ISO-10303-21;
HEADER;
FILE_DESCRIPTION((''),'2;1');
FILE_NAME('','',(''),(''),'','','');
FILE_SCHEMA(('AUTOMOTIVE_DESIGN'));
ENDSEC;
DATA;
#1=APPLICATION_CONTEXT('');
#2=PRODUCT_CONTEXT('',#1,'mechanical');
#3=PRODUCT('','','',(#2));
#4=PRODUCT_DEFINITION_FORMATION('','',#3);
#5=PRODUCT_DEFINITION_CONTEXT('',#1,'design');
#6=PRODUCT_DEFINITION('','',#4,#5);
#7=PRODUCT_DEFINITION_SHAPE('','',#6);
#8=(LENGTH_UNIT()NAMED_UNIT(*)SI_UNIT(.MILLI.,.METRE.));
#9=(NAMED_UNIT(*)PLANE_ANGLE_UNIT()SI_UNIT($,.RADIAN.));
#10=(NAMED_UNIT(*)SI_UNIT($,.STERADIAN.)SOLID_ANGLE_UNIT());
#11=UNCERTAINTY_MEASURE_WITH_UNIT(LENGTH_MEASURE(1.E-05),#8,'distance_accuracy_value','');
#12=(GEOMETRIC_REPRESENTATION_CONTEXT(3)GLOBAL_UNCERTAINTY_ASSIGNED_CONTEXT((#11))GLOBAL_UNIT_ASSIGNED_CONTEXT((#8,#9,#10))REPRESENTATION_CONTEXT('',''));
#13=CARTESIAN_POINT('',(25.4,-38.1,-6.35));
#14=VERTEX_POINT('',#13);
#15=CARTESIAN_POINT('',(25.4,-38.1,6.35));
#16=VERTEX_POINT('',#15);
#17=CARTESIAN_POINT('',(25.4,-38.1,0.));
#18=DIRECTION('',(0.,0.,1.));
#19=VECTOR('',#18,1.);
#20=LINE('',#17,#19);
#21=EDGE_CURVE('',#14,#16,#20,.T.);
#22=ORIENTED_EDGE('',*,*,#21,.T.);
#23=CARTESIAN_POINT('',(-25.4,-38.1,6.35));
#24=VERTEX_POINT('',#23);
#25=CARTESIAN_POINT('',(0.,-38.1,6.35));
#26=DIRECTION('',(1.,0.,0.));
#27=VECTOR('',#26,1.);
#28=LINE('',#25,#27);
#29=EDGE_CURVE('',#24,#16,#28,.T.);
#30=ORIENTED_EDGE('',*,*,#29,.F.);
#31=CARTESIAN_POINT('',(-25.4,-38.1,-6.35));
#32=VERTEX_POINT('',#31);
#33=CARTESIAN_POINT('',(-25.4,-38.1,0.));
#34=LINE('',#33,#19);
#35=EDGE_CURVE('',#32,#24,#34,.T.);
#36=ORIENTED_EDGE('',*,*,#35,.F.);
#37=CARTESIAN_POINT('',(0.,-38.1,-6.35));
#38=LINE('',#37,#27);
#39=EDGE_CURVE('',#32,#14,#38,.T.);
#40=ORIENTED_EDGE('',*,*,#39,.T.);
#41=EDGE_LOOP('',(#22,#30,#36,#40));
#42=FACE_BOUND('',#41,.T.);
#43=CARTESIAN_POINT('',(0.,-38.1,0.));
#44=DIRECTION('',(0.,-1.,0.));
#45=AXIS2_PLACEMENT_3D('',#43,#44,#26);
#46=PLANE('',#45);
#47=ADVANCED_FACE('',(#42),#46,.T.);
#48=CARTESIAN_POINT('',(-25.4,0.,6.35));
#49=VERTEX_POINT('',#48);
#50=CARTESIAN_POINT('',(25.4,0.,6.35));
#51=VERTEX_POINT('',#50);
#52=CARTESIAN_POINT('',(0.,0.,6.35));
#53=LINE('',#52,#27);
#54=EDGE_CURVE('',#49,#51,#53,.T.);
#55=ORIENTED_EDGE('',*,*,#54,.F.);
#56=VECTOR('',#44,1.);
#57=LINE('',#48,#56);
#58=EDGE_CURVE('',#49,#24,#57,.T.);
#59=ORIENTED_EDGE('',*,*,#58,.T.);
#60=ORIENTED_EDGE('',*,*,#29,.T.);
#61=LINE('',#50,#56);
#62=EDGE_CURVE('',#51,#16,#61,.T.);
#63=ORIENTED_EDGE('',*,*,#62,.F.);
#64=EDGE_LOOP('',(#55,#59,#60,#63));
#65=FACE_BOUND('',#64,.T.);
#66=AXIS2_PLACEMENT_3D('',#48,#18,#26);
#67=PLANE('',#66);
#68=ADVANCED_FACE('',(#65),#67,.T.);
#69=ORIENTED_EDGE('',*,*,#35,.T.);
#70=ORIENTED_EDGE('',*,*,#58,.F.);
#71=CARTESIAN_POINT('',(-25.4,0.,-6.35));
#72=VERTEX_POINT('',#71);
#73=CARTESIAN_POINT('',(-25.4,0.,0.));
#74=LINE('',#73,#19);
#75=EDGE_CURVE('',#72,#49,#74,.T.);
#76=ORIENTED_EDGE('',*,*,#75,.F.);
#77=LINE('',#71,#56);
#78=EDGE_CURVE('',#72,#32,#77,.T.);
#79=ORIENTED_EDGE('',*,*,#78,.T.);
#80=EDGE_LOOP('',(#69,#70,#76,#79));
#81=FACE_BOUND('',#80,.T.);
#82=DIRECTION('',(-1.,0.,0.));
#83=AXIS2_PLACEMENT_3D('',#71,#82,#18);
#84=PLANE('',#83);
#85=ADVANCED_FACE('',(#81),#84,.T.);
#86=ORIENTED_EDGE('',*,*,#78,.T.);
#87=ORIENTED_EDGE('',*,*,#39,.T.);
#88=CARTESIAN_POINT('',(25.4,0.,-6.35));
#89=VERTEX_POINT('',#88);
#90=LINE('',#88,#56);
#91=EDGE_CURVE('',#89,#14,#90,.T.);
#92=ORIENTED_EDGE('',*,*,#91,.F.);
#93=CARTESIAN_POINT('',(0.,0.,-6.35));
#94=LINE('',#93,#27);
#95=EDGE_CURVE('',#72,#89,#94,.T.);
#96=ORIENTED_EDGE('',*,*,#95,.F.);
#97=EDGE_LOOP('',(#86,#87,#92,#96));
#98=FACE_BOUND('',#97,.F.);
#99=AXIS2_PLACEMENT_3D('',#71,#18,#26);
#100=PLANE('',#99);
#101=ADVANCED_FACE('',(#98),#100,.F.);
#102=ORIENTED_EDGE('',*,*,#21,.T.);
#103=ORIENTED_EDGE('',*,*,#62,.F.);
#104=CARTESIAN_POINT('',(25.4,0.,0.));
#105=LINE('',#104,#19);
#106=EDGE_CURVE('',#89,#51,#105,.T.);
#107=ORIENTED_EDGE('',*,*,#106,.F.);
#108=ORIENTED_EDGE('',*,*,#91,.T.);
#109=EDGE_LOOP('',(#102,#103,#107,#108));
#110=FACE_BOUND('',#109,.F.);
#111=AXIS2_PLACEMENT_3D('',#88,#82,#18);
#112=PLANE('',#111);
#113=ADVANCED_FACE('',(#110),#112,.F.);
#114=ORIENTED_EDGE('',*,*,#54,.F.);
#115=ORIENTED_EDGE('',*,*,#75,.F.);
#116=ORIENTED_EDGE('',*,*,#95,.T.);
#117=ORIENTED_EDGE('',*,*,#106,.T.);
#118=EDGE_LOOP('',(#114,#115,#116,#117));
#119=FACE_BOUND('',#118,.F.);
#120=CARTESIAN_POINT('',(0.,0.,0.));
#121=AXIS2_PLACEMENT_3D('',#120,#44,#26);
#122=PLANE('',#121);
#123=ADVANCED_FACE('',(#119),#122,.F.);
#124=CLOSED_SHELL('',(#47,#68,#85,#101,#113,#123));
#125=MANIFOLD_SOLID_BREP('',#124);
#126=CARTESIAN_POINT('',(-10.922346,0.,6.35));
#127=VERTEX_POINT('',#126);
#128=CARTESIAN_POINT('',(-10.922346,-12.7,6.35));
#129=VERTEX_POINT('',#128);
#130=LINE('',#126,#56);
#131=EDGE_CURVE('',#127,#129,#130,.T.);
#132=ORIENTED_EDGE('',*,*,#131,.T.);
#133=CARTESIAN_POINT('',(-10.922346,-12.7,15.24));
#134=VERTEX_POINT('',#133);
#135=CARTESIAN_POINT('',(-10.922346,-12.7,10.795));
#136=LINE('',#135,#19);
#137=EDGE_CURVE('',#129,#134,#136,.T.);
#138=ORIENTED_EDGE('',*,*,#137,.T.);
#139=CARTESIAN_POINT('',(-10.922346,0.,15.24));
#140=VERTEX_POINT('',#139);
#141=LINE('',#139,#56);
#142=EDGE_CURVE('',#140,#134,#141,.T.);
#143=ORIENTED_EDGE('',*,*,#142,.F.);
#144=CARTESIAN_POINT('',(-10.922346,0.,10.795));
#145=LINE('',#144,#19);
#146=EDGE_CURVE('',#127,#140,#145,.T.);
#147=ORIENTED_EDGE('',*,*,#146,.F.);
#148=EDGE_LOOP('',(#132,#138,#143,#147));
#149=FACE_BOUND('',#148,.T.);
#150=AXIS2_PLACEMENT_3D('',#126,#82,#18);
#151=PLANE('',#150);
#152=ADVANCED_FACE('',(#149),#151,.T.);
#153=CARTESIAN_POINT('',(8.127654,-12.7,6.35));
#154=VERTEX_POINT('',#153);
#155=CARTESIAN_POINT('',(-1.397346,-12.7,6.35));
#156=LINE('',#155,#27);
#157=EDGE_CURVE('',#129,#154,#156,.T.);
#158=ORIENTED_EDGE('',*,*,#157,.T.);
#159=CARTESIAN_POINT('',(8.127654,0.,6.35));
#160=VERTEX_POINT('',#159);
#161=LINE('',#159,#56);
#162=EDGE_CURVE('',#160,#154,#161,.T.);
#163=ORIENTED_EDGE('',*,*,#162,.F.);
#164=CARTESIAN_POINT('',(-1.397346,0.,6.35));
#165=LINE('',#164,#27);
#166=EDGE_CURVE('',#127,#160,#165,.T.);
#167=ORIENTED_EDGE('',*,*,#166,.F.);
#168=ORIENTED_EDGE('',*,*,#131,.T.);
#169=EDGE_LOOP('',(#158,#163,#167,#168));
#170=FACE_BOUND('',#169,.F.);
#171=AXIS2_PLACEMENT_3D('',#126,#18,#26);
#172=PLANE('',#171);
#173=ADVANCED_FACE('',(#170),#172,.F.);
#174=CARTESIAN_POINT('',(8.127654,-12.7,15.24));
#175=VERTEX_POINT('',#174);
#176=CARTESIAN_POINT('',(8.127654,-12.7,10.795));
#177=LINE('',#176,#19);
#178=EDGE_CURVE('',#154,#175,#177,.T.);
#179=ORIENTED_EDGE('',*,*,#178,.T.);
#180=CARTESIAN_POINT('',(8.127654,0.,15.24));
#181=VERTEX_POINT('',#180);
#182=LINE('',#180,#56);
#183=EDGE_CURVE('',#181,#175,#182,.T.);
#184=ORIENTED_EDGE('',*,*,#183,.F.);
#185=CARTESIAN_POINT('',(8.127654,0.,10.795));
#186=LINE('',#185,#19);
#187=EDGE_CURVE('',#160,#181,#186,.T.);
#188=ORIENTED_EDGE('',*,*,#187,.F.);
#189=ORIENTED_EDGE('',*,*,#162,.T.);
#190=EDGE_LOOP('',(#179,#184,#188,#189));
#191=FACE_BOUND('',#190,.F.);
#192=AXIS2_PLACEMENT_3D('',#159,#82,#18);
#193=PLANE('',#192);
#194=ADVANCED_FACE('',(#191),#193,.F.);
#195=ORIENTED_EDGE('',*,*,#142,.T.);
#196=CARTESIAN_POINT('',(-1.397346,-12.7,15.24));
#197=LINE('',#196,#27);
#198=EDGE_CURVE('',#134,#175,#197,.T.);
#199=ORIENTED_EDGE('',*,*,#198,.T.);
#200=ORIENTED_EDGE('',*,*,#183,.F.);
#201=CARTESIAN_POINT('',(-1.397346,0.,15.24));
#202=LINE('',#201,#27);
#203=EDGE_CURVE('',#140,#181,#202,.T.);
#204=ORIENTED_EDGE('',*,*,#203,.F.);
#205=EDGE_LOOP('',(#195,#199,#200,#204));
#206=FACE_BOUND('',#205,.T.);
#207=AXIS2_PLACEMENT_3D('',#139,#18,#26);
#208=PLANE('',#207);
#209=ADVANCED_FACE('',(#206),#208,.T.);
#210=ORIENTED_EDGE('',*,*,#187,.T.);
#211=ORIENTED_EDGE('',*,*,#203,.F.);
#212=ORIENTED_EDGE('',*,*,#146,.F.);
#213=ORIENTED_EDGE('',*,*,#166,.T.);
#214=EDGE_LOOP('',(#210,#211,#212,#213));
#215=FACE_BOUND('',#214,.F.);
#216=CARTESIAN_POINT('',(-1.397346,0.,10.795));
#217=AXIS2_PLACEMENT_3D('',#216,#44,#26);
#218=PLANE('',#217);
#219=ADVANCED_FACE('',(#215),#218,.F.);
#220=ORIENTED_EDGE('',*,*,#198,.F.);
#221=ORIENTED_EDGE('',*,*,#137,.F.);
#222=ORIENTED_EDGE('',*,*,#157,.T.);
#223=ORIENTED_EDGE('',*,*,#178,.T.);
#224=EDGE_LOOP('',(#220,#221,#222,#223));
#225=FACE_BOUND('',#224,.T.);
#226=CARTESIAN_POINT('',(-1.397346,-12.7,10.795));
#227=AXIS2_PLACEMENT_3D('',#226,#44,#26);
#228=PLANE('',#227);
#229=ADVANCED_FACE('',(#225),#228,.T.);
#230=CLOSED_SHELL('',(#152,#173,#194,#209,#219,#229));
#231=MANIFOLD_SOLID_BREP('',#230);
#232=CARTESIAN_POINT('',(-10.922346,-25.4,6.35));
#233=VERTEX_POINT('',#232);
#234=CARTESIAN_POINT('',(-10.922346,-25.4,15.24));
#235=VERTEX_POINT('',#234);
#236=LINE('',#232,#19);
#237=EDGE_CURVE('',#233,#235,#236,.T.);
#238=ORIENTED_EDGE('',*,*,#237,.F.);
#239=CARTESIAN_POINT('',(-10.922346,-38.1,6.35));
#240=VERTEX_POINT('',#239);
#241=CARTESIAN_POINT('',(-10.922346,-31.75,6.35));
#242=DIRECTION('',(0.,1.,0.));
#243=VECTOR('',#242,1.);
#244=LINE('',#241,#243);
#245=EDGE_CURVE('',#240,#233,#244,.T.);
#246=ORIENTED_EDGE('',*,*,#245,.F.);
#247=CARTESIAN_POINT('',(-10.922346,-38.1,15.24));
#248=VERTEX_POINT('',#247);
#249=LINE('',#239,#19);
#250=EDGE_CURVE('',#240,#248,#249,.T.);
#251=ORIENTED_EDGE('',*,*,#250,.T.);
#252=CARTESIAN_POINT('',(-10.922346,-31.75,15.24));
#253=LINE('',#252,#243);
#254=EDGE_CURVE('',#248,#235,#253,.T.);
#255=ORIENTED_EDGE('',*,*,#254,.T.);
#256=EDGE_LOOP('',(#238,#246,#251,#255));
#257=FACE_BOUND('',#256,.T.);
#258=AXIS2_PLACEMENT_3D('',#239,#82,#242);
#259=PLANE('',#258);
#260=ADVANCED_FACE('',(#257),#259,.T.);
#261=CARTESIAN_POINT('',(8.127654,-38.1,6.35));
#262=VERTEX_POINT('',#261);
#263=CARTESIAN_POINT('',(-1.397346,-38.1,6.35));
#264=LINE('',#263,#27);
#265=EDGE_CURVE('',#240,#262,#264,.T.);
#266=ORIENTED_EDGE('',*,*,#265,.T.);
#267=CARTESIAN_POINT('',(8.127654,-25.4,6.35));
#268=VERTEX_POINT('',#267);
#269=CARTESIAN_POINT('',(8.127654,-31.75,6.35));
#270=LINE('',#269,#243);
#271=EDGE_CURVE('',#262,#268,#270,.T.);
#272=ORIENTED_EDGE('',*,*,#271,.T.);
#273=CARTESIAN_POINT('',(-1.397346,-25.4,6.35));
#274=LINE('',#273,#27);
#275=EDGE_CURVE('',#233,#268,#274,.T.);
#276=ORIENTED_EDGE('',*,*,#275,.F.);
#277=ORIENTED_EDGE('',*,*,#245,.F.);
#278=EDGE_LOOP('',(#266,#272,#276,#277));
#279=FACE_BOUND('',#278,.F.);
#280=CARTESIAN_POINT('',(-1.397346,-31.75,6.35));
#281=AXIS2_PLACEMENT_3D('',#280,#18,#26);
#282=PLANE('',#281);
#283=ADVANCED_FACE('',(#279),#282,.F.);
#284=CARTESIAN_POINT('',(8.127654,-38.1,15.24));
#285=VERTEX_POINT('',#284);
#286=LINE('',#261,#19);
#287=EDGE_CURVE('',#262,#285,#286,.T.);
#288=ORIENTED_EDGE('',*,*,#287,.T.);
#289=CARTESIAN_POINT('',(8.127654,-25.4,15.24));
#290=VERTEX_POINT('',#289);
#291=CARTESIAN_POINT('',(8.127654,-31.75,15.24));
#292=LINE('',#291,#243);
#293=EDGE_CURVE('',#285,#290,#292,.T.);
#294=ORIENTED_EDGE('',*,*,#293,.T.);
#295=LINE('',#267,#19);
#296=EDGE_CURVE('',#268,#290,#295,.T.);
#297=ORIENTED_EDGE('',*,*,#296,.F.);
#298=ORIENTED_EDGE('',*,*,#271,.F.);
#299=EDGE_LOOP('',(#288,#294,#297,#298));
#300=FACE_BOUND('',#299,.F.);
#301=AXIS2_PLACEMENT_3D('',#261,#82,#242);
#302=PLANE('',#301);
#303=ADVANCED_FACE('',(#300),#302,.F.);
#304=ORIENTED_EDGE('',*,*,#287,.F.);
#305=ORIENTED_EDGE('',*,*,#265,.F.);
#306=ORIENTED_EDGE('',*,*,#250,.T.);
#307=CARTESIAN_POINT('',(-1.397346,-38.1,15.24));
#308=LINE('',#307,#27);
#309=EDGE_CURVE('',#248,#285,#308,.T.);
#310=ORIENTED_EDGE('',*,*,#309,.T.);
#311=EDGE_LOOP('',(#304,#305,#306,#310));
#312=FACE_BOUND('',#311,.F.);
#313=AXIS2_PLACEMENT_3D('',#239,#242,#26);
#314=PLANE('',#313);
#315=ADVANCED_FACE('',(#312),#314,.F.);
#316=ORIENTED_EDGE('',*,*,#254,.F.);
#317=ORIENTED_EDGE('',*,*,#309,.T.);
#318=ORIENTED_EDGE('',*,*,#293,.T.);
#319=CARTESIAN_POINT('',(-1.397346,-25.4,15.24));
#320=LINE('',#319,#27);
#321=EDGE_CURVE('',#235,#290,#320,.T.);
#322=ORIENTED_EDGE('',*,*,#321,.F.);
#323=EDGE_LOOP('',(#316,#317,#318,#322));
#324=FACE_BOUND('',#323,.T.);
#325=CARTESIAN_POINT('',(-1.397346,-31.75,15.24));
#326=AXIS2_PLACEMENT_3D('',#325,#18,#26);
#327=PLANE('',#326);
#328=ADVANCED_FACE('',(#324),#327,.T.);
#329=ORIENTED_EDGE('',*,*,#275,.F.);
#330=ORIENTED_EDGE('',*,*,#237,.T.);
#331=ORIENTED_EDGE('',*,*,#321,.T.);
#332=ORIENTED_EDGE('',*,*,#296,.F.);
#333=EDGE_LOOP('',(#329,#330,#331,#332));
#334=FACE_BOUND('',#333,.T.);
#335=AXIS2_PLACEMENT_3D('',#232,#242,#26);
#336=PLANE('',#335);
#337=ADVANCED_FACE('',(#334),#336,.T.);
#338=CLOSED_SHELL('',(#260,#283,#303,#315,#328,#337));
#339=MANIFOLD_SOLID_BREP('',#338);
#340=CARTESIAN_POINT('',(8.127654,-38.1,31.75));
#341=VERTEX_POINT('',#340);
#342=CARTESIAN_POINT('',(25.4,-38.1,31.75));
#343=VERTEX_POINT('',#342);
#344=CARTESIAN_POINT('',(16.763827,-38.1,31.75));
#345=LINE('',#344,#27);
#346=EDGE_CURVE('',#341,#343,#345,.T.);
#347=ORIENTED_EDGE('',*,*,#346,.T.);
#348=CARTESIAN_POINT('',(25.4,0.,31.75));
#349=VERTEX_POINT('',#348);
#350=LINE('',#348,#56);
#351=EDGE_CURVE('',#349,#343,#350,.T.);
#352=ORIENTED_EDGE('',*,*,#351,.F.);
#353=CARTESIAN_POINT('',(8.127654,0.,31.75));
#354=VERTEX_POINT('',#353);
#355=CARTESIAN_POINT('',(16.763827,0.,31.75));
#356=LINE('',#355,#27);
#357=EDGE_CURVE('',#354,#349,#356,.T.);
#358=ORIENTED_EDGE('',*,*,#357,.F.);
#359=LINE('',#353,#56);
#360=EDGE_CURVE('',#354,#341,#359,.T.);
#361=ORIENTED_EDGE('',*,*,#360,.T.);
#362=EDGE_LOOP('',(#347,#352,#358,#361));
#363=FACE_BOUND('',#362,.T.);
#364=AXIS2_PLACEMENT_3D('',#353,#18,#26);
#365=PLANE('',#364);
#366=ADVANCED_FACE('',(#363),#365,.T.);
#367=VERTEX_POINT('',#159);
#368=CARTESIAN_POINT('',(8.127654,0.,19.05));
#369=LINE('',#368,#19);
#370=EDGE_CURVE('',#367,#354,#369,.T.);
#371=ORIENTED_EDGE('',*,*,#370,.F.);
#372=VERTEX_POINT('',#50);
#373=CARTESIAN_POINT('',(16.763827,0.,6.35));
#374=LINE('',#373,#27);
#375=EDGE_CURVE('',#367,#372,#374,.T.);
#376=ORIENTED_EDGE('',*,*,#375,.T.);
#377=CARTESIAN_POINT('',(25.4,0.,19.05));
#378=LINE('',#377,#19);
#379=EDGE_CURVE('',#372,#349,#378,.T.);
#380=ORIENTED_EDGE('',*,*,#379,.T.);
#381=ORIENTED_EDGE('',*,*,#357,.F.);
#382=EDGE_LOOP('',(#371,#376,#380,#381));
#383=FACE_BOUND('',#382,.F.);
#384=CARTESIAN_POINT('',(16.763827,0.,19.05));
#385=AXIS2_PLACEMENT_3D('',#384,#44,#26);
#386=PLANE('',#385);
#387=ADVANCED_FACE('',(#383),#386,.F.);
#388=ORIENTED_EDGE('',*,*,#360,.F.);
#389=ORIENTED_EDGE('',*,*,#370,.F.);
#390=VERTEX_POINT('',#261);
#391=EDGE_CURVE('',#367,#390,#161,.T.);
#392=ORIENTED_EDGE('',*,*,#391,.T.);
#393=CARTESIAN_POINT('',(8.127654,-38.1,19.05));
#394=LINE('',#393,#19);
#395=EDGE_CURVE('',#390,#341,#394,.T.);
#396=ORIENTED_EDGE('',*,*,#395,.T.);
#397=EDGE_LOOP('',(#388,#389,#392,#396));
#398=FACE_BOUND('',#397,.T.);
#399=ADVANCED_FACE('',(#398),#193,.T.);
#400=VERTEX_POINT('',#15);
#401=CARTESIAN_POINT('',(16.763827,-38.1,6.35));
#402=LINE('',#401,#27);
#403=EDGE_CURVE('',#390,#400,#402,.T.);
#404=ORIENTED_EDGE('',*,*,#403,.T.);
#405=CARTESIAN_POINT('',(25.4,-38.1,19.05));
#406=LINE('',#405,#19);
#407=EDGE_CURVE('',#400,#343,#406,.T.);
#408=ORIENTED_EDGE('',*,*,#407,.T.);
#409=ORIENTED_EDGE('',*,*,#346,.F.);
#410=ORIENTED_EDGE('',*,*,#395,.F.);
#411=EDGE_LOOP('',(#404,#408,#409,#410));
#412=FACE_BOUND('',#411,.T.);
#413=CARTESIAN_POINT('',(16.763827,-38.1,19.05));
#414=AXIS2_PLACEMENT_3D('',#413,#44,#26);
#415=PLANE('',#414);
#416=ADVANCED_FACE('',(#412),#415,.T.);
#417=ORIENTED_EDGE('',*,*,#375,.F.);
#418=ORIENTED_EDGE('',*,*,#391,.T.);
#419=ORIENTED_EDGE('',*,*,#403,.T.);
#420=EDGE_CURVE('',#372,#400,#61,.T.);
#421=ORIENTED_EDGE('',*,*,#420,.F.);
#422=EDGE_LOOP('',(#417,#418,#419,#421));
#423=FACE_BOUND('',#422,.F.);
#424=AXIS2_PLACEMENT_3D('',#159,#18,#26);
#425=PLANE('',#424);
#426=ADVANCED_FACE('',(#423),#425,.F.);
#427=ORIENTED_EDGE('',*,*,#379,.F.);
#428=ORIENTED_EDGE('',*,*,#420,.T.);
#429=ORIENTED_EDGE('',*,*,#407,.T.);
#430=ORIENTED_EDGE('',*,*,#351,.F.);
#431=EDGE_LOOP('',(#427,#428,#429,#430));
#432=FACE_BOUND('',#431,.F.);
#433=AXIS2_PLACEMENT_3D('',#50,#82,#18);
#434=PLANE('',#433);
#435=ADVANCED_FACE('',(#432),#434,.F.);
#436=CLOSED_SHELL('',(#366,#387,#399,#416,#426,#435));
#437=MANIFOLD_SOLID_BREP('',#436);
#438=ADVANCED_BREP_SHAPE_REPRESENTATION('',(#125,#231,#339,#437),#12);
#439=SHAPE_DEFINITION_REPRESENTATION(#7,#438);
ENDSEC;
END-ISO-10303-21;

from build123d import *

# Parameters (mm, degrees)
F0_W     = 50.8
F0_H     = 12.7
F1_DEPTH = 38.1
F2_W     = 19.05
F2_H     = 8.89
F3_DEPTH = 12.7
F4_W     = 17.272346
F4_H     = 25.4
F5_DEPTH = 38.1
F6_W     = 19.05
F6_H     = 12.7
F7_DEPTH = 8.89


with BuildPart() as f1:
    # F0 (on Front) → F1 (new body)
    with BuildSketch(Plane.XZ):
        Rectangle(F0_W, F0_H)
    extrude(amount=F1_DEPTH)


with BuildPart() as f3:
    # F2 (on Front) → F3 (new body)
    with BuildSketch(Plane.XZ):
        with Locations((-1.397346, 10.795)):
            Rectangle(F2_W, F2_H)
    extrude(amount=F3_DEPTH)


with BuildPart() as f5:
    # F4 (on Front) → F5 (new body)
    with BuildSketch(Plane.XZ):
        with Locations((16.763827, 19.05)):
            Rectangle(F4_W, F4_H)
    extrude(amount=F5_DEPTH)


with BuildPart() as f7:
    # F6 (on face) → F7 (new body)
    with BuildSketch(Plane.XY.offset(6.35)):
        with Locations((-1.397346, -31.75)):
            Rectangle(F6_W, F6_H)
    extrude(amount=F7_DEPTH)


solid = Compound([f1.part, f3.part, f5.part, f7.part])
